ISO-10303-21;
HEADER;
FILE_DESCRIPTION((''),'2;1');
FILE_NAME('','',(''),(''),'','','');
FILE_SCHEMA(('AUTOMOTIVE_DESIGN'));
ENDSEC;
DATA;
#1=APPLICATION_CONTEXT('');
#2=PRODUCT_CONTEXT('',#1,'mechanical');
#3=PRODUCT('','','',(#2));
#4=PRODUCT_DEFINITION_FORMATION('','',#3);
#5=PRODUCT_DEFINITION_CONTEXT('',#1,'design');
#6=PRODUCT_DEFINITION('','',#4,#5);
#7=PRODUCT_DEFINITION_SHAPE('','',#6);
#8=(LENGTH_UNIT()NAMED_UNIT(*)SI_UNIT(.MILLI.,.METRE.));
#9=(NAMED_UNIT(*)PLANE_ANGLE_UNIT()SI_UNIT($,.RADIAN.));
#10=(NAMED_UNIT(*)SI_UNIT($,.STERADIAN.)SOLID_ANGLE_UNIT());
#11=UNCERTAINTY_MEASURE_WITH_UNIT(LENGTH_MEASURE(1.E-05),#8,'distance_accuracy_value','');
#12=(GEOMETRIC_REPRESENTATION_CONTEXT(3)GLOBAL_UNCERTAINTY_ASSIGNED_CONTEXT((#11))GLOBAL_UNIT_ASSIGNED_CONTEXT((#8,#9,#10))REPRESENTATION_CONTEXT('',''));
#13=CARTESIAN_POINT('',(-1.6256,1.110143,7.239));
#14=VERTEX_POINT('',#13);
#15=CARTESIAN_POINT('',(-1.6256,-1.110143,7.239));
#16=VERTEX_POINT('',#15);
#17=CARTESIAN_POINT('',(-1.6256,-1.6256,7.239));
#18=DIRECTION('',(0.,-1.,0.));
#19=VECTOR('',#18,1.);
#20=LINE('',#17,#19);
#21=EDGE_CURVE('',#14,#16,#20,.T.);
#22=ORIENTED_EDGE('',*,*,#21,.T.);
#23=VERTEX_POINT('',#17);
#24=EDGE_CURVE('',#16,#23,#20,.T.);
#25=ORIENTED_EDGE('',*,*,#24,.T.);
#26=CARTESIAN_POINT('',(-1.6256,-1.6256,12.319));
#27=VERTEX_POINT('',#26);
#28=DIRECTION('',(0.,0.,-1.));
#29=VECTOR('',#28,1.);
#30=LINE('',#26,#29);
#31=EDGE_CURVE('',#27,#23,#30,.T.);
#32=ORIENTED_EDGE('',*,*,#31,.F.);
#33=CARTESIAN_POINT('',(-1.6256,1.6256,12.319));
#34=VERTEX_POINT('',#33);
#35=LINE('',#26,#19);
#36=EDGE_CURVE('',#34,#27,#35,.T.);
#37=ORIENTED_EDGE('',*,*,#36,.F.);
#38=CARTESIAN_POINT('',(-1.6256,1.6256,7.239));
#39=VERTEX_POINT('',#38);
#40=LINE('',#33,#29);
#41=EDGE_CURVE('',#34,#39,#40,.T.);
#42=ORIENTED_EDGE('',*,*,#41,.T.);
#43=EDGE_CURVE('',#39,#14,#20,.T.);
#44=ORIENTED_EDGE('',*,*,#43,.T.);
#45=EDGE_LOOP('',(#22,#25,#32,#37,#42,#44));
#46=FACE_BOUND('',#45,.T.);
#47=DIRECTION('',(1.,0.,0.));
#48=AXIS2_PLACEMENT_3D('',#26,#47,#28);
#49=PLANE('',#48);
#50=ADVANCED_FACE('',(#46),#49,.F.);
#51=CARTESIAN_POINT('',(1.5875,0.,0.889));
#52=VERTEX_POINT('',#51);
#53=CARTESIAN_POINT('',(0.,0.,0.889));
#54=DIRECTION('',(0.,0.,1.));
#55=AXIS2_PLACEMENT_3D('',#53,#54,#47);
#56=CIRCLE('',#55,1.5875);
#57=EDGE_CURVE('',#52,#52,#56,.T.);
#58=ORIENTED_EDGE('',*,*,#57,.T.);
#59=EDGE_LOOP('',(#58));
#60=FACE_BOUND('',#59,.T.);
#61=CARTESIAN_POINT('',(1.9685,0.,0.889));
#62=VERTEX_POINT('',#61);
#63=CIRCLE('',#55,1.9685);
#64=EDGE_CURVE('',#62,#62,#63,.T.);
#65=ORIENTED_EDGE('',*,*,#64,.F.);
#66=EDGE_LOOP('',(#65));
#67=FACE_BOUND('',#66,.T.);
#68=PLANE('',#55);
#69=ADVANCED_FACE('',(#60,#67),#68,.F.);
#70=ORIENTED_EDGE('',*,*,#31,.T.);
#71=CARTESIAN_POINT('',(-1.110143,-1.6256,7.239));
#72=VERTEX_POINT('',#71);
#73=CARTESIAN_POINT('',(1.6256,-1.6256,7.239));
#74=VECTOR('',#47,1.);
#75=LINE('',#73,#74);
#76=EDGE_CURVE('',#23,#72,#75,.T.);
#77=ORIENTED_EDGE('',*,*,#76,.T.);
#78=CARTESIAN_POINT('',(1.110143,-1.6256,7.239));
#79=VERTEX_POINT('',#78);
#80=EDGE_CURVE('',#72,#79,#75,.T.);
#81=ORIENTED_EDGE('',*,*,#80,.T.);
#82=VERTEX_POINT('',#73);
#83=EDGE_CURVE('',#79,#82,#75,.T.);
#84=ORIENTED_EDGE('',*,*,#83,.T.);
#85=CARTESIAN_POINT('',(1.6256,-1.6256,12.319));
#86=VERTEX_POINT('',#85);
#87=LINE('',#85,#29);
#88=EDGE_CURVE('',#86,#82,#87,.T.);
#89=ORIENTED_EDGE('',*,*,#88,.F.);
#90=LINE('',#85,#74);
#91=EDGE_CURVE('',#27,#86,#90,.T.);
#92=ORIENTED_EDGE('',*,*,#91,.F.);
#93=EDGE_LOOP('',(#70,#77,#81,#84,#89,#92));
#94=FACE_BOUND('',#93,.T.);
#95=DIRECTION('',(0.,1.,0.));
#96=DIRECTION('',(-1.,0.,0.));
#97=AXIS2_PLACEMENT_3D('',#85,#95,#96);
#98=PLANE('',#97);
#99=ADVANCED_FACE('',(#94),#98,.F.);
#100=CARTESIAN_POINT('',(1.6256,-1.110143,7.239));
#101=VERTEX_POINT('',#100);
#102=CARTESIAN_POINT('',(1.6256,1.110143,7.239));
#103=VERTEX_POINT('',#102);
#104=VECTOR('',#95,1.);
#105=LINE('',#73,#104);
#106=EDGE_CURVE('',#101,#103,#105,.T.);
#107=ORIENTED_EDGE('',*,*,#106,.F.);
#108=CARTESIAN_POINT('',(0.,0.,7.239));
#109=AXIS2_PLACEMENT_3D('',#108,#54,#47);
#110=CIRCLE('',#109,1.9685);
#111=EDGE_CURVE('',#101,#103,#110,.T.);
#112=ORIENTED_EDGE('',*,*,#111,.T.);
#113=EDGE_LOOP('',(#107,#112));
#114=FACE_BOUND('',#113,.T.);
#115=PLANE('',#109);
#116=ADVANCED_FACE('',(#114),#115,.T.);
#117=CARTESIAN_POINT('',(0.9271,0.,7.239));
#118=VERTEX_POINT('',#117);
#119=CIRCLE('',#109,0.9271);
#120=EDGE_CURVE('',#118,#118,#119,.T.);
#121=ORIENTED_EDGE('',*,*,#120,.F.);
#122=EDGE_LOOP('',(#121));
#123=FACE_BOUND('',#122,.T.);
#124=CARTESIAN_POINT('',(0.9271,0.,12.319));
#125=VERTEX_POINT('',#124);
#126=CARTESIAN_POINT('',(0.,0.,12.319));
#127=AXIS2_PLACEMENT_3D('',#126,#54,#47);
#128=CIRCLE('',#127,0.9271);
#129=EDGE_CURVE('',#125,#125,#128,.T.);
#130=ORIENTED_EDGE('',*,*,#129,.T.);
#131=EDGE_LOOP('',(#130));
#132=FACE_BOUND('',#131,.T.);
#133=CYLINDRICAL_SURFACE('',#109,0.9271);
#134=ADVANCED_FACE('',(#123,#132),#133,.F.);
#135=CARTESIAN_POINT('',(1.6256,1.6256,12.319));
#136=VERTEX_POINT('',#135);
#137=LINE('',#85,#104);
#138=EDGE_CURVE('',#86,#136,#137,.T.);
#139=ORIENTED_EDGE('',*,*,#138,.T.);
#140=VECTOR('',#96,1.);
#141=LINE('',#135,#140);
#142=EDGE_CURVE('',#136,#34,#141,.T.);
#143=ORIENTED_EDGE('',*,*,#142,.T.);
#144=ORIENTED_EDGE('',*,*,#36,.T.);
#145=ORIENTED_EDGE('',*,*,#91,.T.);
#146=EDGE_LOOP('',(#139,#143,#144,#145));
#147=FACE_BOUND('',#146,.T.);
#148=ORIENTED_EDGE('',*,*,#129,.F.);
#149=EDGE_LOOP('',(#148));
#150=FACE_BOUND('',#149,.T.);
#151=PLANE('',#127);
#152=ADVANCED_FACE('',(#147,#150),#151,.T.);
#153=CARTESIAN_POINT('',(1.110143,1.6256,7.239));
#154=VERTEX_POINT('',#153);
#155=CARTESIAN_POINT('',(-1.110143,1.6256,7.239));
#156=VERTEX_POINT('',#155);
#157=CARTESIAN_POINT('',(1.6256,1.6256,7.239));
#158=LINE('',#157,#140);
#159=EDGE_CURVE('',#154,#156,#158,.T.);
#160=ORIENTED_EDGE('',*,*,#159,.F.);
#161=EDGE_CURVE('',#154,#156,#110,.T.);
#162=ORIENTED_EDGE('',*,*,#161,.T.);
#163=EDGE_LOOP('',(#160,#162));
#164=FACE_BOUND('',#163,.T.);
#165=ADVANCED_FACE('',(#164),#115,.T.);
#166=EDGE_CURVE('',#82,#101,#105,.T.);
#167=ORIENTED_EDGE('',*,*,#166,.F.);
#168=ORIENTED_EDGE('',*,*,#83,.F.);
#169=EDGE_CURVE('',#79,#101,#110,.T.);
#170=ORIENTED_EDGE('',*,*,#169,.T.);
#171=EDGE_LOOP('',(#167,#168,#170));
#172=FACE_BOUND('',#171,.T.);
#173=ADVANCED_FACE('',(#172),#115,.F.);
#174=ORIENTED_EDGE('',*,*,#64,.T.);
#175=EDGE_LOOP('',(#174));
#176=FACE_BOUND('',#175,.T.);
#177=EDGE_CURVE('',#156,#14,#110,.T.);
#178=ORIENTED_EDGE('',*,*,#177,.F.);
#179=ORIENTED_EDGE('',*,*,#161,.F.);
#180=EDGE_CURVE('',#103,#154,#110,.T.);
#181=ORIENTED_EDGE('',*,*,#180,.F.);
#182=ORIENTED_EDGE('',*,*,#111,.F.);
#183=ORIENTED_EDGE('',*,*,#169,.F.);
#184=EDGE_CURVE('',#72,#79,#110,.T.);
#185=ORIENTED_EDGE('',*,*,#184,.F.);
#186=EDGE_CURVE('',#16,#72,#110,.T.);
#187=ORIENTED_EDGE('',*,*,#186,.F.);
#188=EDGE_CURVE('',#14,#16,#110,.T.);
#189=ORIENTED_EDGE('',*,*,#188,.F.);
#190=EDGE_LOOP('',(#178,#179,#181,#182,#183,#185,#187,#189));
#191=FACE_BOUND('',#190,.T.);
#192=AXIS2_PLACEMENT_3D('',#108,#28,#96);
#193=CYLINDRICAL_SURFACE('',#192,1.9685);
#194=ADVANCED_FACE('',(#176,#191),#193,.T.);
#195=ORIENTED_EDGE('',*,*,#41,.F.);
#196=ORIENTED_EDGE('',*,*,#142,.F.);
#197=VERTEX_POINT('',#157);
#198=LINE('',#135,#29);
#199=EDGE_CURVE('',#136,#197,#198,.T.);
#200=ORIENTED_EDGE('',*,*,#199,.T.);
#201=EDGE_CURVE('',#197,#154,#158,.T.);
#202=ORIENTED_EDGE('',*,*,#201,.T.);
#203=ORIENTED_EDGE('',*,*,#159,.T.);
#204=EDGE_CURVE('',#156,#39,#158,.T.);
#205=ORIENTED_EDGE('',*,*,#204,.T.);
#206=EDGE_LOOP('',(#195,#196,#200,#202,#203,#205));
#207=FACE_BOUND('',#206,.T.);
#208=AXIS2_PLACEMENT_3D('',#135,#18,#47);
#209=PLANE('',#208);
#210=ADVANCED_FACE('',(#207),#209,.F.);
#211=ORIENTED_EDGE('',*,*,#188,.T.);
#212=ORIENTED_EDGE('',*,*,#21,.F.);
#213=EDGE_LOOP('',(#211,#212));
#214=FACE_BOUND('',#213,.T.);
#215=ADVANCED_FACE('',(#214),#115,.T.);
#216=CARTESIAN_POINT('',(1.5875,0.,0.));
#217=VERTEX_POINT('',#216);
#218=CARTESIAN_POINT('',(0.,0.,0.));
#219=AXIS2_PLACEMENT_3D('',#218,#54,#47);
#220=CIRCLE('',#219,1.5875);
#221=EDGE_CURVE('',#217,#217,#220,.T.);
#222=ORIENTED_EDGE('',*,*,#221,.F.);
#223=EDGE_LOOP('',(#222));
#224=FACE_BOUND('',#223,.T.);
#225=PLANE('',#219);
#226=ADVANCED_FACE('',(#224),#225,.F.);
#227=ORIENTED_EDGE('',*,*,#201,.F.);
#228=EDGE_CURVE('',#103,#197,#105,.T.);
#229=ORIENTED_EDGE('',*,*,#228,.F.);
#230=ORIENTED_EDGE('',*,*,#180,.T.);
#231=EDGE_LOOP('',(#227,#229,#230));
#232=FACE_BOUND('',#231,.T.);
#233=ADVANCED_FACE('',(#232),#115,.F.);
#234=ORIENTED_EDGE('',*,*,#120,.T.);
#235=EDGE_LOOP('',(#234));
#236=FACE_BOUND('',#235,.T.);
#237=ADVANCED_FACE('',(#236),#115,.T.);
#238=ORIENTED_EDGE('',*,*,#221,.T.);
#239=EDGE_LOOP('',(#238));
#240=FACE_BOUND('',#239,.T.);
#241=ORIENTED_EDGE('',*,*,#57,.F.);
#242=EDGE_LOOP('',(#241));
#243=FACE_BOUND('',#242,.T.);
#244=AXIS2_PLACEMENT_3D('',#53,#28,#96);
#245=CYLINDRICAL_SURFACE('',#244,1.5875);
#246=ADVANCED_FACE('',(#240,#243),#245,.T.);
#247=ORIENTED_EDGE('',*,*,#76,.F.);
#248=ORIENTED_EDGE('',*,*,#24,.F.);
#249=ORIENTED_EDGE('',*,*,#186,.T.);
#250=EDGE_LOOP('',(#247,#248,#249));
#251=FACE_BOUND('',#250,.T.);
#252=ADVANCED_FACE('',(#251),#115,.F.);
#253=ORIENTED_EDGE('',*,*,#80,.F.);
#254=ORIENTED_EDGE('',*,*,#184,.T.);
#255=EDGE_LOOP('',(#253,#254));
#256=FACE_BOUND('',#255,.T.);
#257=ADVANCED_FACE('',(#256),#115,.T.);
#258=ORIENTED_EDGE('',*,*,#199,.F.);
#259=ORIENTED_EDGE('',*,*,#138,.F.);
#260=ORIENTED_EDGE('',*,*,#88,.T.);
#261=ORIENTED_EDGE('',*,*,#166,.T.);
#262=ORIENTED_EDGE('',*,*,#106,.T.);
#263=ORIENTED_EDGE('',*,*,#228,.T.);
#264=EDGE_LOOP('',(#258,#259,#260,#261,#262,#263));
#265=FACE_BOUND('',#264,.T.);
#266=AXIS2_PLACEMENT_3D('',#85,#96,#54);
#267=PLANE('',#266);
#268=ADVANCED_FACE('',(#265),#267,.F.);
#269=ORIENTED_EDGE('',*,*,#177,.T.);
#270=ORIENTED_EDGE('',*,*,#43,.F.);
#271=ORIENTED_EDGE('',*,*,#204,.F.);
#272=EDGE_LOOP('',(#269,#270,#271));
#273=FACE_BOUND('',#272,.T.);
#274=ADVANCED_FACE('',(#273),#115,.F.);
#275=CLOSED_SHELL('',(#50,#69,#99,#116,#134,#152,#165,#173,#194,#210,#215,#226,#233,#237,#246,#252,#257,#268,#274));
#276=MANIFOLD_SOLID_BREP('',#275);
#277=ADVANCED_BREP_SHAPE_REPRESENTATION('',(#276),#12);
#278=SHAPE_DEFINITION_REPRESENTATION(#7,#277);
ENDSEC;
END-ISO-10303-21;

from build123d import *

# Parameters (mm, degrees)
SKETCH1_R           = 1.5875
BOSS_EXTRUDE1_DEPTH = 0.889
SKETCH2_R           = 1.9685
BOSS_EXTRUDE2_DEPTH = 6.35
SKETCH4_W           = 3.2512
SKETCH4_H           = 3.2512
BOSS_EXTRUDE3_DEPTH = 5.08
SKETCH5_R           = 0.9271
CUT_EXTRUDE1_DEPTH  = 5.08


with BuildPart() as part:
    # Sketch1 → Boss-Extrude1 (new body)
    with BuildSketch(Plane.XY):
        Circle(SKETCH1_R)
    extrude(amount=BOSS_EXTRUDE1_DEPTH)

    # Sketch2 → Boss-Extrude2 (add)
    with BuildSketch(Plane.XY.offset(0.889)):
        Circle(SKETCH2_R)
    extrude(amount=BOSS_EXTRUDE2_DEPTH)

    # Sketch4 → Boss-Extrude3 (add)
    with BuildSketch(Plane.XY.offset(7.239)):
        Rectangle(SKETCH4_W, SKETCH4_H)
    extrude(amount=BOSS_EXTRUDE3_DEPTH)

    # Sketch5 → Cut-Extrude1 (cut)
    with BuildSketch(Plane.XY.offset(12.319)):
        Circle(SKETCH5_R)
    extrude(amount=-CUT_EXTRUDE1_DEPTH, mode=Mode.SUBTRACT)


solid = part.part
